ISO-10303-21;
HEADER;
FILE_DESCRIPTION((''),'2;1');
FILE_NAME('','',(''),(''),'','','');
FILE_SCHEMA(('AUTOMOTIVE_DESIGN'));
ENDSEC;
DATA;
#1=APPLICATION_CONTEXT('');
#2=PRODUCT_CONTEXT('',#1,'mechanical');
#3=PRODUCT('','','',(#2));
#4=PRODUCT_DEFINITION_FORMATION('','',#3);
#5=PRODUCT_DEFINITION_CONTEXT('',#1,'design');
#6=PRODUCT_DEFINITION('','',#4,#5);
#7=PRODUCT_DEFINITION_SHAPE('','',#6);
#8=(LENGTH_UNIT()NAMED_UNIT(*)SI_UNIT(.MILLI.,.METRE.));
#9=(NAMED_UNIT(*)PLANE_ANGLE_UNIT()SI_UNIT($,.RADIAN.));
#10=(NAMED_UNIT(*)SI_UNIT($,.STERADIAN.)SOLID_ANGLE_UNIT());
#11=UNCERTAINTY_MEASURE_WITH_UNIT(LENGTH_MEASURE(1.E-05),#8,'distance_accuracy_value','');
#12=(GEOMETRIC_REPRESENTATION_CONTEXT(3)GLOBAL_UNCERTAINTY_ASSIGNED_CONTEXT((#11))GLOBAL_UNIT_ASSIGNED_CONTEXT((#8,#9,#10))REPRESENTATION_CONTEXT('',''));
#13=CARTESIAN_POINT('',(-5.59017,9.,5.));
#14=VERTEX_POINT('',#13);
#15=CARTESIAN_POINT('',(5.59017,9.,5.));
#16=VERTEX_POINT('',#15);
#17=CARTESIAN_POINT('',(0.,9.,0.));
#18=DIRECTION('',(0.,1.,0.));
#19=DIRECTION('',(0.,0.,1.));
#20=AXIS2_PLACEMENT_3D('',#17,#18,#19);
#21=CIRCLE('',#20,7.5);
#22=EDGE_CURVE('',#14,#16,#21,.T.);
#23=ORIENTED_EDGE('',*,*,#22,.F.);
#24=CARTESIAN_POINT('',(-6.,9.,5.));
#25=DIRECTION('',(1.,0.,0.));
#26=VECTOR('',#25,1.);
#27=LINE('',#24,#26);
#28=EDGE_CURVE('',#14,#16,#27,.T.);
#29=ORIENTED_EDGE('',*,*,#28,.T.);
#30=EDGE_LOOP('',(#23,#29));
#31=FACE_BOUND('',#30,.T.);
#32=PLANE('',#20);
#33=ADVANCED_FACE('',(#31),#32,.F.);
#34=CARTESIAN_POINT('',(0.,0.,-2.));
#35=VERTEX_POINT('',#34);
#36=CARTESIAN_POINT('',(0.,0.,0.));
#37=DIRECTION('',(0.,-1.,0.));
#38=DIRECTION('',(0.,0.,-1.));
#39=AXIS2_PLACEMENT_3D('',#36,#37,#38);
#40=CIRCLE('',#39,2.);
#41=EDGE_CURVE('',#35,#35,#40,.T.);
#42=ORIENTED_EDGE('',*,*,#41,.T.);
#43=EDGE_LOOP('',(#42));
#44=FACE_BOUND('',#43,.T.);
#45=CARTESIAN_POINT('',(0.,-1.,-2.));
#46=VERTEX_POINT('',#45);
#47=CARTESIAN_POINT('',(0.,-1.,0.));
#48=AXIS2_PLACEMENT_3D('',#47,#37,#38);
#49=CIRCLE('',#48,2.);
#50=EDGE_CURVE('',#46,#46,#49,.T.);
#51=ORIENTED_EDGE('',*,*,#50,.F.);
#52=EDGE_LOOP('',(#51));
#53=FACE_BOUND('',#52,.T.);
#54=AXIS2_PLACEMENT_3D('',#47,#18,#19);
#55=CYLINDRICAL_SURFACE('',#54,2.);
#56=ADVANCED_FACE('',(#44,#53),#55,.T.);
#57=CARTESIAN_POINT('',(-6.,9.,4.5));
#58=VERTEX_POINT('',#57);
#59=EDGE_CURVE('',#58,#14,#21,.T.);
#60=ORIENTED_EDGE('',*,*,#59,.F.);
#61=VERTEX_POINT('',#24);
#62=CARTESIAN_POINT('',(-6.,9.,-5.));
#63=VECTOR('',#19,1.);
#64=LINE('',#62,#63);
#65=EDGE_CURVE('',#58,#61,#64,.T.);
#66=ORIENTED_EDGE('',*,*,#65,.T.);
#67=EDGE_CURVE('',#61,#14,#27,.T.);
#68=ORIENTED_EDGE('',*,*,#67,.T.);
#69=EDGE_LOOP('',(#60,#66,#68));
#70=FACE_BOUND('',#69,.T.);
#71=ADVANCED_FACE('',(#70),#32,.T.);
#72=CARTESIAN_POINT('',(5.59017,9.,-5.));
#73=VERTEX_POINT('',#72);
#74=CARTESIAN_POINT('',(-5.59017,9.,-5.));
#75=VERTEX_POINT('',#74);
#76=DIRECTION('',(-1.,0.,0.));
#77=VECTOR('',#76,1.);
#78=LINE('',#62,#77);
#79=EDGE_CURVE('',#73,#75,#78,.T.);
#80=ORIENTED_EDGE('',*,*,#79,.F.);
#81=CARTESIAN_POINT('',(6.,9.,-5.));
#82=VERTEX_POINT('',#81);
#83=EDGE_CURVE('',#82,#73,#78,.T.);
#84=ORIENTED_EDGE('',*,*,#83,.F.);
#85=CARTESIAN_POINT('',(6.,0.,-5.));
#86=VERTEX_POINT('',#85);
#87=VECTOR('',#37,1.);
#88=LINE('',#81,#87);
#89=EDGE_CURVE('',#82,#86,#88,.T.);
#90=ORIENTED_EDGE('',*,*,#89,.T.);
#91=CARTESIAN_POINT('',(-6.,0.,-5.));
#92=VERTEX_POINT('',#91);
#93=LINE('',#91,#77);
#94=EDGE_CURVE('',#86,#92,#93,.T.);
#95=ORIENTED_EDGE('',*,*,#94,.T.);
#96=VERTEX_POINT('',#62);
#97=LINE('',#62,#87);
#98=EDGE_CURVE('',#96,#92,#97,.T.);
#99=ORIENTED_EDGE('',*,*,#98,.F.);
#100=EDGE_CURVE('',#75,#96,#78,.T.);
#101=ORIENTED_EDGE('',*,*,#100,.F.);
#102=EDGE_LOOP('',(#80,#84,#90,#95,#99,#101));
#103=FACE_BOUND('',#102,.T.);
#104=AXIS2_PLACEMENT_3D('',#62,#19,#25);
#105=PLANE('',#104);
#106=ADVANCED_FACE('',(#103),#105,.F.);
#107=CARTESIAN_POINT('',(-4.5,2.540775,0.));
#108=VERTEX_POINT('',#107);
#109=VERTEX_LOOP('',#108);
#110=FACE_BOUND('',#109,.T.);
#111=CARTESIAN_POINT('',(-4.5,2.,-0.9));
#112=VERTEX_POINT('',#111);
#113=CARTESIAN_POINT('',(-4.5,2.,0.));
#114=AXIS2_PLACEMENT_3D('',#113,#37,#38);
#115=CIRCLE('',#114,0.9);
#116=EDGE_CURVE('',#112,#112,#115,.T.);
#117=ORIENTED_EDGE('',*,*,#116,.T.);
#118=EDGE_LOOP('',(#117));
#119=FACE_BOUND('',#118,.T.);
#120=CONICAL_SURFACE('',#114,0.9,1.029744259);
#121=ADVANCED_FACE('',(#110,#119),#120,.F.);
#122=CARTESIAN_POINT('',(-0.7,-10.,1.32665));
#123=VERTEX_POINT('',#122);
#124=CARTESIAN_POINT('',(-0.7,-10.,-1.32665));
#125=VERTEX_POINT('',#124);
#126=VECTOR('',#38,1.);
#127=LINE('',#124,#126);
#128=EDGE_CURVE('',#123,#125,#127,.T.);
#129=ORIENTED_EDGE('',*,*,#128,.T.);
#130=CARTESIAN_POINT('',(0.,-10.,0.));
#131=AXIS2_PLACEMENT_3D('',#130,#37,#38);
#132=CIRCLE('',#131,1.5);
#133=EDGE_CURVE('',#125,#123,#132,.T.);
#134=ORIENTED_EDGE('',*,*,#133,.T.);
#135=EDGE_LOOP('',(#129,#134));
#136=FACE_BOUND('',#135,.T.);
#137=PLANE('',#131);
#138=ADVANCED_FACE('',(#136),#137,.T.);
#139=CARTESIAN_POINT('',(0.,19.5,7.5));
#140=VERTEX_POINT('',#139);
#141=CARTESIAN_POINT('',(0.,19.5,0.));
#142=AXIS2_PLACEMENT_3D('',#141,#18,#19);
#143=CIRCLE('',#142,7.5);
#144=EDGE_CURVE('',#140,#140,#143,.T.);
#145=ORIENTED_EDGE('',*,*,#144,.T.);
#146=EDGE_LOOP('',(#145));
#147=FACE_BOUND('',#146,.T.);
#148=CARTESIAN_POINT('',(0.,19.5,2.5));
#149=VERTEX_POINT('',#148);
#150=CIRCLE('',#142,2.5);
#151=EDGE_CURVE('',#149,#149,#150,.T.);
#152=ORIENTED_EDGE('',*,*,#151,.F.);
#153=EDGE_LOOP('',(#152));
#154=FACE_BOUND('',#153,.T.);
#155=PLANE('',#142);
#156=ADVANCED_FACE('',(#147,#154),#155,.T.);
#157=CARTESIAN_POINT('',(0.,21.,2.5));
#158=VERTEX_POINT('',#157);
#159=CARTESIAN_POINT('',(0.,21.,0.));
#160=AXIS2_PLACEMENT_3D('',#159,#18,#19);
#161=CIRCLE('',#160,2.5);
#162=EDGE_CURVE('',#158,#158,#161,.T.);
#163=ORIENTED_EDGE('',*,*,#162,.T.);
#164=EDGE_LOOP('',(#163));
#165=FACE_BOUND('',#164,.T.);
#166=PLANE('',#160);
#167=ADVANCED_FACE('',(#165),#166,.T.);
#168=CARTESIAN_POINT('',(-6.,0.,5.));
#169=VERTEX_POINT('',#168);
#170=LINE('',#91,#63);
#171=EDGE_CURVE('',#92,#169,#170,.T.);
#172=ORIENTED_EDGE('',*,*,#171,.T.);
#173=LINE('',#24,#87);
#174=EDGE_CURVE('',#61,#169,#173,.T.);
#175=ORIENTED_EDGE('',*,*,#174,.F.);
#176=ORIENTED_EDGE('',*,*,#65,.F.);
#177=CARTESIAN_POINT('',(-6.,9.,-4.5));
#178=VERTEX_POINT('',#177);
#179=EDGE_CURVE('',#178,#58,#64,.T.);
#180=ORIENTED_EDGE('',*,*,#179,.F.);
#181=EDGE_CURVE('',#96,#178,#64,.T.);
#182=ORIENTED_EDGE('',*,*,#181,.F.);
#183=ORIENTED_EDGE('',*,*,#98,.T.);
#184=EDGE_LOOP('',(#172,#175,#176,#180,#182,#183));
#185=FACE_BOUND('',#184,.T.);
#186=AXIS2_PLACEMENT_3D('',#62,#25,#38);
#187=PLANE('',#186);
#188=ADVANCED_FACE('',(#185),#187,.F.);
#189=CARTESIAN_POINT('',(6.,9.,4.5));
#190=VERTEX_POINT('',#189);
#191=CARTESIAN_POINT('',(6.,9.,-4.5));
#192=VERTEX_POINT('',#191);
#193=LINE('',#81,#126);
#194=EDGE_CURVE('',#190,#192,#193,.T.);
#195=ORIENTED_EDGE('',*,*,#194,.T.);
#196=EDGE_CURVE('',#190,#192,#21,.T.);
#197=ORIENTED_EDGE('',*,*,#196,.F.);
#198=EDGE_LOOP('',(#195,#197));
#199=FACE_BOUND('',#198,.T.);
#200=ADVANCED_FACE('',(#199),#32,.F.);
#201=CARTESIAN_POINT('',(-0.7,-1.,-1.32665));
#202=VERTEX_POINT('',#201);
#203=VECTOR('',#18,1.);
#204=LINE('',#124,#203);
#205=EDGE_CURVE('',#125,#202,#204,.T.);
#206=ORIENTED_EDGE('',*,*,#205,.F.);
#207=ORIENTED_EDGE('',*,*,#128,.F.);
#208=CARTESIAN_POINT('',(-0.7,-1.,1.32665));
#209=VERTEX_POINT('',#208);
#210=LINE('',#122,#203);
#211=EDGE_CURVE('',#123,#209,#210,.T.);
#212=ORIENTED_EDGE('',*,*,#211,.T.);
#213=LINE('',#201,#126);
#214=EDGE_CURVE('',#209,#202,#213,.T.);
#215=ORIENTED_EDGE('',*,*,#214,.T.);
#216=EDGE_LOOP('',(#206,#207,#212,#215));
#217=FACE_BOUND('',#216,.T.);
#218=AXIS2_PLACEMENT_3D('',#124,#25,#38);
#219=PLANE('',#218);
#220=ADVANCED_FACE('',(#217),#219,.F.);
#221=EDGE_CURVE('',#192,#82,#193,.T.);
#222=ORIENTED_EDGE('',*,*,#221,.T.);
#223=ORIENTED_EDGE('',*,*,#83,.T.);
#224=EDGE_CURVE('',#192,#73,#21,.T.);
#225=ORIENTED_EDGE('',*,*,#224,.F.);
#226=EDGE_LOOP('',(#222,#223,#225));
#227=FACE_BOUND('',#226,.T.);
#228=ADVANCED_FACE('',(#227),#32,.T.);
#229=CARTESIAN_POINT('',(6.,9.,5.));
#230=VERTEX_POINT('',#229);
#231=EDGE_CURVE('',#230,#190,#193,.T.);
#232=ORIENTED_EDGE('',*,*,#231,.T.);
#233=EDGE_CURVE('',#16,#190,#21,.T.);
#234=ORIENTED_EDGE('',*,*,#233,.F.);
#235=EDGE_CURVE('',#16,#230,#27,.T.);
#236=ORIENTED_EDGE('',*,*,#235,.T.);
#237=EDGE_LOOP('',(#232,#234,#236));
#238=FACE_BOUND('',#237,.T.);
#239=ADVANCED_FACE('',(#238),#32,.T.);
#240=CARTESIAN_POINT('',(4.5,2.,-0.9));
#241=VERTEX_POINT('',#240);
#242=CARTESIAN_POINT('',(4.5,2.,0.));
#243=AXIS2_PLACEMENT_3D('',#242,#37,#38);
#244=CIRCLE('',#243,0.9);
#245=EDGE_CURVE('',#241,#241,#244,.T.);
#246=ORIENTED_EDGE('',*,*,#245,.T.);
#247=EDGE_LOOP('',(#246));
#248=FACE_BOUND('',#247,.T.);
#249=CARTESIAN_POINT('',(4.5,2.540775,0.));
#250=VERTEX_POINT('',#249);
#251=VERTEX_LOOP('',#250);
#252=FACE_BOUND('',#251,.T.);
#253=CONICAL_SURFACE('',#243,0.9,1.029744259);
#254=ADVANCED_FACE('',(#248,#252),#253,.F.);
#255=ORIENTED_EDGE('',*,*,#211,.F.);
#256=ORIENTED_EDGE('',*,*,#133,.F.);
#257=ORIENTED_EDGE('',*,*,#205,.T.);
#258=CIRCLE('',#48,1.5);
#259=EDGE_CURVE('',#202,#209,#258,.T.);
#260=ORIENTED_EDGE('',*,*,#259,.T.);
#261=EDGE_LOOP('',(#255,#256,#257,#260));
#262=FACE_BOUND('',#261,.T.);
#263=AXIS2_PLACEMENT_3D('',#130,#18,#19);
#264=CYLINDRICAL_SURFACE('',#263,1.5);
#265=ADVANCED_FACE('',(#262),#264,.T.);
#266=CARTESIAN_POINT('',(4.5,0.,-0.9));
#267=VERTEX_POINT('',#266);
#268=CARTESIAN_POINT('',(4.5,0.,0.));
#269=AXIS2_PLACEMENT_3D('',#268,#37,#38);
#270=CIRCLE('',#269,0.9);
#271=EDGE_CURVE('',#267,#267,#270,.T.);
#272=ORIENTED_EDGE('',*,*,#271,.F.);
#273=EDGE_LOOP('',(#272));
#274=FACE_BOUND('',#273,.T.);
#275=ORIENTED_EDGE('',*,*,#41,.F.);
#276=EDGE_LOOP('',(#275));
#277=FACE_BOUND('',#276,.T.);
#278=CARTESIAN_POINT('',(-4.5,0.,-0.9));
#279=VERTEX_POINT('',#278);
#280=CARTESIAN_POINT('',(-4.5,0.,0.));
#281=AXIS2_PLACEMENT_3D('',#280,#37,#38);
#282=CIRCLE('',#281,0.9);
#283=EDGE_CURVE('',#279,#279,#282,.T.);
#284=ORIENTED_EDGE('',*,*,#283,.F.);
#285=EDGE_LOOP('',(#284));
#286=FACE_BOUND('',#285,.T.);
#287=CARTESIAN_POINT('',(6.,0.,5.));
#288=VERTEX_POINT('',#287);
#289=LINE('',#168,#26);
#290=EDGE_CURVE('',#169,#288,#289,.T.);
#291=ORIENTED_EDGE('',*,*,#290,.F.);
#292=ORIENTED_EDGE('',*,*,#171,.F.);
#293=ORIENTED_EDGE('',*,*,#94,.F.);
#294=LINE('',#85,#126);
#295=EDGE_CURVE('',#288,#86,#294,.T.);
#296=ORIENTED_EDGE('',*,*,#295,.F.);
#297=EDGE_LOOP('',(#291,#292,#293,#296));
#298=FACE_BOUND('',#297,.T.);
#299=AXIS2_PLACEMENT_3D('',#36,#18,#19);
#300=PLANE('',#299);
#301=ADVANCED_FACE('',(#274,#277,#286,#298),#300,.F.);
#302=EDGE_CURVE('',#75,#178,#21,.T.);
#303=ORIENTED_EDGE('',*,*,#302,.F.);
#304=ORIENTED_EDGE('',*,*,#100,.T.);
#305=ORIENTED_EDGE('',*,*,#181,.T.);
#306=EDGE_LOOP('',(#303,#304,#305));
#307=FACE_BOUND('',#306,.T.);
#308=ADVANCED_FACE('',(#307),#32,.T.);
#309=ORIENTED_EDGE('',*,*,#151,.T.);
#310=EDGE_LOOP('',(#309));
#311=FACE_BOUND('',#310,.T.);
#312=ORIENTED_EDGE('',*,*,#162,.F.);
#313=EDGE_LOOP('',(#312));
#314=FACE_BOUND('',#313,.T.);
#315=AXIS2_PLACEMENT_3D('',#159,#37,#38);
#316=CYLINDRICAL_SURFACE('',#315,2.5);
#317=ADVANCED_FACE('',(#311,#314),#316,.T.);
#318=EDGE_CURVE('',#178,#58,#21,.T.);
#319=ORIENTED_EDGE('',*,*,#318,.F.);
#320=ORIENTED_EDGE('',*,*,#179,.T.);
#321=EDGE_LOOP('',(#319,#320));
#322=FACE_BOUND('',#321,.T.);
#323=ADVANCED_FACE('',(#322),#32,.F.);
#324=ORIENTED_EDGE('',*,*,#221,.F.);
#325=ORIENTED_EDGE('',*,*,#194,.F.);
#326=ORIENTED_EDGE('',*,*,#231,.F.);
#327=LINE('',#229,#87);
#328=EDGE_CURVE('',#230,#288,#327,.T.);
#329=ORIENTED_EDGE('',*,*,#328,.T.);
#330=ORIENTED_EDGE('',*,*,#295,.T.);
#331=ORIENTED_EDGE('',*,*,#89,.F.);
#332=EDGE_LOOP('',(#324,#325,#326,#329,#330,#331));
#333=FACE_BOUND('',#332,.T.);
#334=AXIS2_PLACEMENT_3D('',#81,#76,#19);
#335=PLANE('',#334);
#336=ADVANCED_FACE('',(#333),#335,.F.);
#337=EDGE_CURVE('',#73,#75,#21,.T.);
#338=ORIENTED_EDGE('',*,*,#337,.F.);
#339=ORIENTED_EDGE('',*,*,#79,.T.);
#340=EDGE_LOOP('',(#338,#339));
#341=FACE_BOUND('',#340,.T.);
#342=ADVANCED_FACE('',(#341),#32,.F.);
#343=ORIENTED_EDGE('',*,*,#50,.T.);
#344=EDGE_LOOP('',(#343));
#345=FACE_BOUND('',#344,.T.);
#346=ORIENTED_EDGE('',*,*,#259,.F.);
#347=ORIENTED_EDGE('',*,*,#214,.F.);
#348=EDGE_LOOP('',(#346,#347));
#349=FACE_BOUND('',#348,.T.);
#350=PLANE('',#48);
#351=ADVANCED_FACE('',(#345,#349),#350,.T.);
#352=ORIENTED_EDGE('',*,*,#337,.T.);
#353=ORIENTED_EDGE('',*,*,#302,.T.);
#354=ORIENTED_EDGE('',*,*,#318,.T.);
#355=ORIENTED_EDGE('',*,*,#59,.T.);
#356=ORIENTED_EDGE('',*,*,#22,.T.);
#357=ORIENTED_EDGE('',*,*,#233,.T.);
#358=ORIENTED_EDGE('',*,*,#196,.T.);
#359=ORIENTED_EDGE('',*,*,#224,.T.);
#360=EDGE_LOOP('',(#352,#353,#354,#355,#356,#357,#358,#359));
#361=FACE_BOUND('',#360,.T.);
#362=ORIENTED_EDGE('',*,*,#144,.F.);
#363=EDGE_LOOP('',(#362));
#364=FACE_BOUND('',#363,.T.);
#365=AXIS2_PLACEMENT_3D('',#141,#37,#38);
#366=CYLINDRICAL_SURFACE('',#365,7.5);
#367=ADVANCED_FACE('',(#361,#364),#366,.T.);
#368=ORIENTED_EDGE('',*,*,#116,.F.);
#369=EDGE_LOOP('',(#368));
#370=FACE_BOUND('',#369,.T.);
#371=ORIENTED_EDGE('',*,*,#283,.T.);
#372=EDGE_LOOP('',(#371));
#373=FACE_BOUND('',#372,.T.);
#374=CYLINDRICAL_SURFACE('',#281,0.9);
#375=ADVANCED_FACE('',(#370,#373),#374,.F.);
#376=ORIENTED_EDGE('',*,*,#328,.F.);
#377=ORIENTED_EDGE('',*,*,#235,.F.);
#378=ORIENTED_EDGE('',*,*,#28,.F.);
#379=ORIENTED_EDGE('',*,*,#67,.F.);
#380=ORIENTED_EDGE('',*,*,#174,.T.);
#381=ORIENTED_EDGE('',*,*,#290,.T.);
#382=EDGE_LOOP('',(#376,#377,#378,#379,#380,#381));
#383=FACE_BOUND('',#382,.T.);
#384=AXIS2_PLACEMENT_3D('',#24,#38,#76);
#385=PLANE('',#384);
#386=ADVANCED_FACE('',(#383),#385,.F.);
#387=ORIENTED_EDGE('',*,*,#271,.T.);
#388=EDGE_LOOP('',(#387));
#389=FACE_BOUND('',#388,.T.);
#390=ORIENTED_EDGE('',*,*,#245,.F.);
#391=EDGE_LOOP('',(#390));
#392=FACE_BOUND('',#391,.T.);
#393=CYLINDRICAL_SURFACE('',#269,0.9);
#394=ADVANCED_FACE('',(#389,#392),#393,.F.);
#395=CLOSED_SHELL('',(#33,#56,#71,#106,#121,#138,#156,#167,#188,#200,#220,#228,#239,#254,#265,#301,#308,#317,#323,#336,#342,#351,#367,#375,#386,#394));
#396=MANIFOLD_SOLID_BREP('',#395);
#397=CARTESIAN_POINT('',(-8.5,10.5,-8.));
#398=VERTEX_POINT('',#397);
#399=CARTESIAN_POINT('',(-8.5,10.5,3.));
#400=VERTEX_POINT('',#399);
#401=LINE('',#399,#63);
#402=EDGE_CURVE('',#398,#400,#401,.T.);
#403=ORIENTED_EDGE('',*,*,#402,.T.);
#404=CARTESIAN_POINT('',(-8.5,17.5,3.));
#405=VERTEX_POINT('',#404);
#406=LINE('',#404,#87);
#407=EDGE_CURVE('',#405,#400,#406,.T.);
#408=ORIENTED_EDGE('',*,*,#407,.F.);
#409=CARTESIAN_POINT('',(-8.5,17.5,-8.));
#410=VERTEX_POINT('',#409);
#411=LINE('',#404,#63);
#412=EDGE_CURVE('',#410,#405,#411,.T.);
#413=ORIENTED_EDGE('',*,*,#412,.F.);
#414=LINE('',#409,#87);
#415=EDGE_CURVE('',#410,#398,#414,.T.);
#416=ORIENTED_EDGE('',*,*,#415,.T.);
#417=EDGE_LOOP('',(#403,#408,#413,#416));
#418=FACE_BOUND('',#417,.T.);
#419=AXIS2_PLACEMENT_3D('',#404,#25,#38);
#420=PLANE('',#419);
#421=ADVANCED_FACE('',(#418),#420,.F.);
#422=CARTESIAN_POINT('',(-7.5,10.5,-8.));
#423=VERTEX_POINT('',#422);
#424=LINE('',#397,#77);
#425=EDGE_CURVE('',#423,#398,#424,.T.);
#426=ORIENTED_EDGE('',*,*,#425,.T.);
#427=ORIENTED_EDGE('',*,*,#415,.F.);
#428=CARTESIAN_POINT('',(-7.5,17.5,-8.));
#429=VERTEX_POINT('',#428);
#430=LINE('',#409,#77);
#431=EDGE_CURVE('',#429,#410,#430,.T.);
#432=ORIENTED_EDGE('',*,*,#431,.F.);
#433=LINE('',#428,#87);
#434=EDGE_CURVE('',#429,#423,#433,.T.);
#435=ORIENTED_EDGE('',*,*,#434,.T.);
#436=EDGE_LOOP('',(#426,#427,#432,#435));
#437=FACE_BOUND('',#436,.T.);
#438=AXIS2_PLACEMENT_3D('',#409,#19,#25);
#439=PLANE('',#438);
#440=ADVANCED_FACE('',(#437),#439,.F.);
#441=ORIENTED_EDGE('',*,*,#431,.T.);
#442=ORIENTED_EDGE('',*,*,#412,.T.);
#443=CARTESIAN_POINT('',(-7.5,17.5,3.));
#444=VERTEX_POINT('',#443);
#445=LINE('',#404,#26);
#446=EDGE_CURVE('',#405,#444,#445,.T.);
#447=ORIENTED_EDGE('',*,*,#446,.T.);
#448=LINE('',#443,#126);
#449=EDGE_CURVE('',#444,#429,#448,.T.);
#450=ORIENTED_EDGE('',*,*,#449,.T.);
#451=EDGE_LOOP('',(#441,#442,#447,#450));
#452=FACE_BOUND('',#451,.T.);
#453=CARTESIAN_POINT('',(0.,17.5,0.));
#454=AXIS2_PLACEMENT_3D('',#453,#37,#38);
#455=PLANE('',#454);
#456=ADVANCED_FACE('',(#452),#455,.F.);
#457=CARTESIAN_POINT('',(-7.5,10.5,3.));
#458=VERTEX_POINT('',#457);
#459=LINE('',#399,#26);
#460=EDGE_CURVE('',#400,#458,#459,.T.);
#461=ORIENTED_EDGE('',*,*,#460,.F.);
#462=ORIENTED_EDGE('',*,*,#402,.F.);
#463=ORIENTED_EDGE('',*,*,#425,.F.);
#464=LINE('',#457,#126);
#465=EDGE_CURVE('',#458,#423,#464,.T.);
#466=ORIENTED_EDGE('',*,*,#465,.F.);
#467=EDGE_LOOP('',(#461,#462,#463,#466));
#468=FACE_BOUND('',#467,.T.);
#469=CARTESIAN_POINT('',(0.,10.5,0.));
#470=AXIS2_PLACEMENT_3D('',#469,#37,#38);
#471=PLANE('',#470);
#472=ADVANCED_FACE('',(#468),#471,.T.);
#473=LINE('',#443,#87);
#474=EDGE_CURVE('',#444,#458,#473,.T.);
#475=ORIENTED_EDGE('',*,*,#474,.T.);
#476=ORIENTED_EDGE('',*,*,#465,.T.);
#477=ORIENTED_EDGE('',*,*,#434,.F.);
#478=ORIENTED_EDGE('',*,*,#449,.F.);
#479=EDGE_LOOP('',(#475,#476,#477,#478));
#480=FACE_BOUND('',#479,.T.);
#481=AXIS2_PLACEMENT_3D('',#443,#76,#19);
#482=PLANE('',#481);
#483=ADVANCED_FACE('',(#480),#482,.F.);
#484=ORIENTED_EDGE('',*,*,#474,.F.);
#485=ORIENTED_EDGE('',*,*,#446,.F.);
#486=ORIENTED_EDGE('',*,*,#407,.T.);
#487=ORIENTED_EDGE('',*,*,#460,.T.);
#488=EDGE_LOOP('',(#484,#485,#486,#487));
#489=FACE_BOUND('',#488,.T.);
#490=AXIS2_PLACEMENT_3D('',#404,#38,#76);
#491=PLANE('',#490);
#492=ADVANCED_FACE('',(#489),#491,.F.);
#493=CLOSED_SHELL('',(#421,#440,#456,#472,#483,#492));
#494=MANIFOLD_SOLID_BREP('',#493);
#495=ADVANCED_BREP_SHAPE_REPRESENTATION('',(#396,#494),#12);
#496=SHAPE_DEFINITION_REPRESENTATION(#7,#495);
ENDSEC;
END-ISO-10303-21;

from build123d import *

# Parameters (mm, degrees)
SKETCH1_W                  = 12
SKETCH1_H                  = 10
BOSS_EXTRUDE1_DEPTH        = 9
SKETCH2_R                  = 2
BOSS_EXTRUDE2_DEPTH        = 1
BOSS_EXTRUDE3_DEPTH        = 9
M1_6_CLEARANCE_HOLE1_D     = 1.8
M1_6_CLEARANCE_HOLE1_DEPTH = 2
M1_6_CLEARANCE_HOLE1_TIP   = 0.540774557
SKETCH6_R                  = 7.5
BOSS_EXTRUDE4_DEPTH        = 10.5
SKETCH7_R                  = 2.5
BOSS_EXTRUDE5_DEPTH        = 1.5
SKETCH8_W                  = 1
SKETCH8_H                  = 11
BOSS_EXTRUDE6_DEPTH        = 3.5


with BuildPart() as part:
    # Sketch1 → Boss-Extrude1 (new body)
    with BuildSketch(Plane(origin=(0, 0, 0), x_dir=(1, 0, 0), z_dir=(0, 1, 0))):
        Rectangle(SKETCH1_W, SKETCH1_H)
    extrude(amount=BOSS_EXTRUDE1_DEPTH)

    # Sketch2 → Boss-Extrude2 (add)
    with BuildSketch(Plane.XZ):
        Circle(SKETCH2_R)
    extrude(amount=BOSS_EXTRUDE2_DEPTH)

    # Sketch3 → Boss-Extrude3 (add)
    with BuildSketch(Plane(origin=(0, -1, 0), x_dir=(-1, 0, 0), z_dir=(0, -1, 0))):
        with BuildLine():
            Line((0.7, 1.326649916), (0.7, -1.326649916))
            ThreePointArc((0.7, -1.326649916), (-1.5, 0), (0.7, 1.326649916))
        make_face()
    extrude(amount=BOSS_EXTRUDE3_DEPTH)

    # M1.6 Clearance Hole1
    with Locations(Plane(origin=(0, 0, 0), x_dir=(-1, 0, 0), z_dir=(0, -1, 0))):
        with Locations((4.5, 0), (-4.5, 0)):
            Hole(M1_6_CLEARANCE_HOLE1_D / 2, depth=M1_6_CLEARANCE_HOLE1_DEPTH)
            with Locations((0, 0, -(M1_6_CLEARANCE_HOLE1_DEPTH + M1_6_CLEARANCE_HOLE1_TIP / 2))):  # 118° drill point
                Cone(0, M1_6_CLEARANCE_HOLE1_D / 2, M1_6_CLEARANCE_HOLE1_TIP, mode=Mode.SUBTRACT)

    # Sketch6 → Boss-Extrude4 (add)
    with BuildSketch(Plane(origin=(0, 9, 0), x_dir=(1, 0, 0), z_dir=(0, 1, 0))):
        Circle(SKETCH6_R)
    extrude(amount=BOSS_EXTRUDE4_DEPTH)

    # Sketch7 → Boss-Extrude5 (add)
    with BuildSketch(Plane(origin=(0, 19.5, 0), x_dir=(1, 0, 0), z_dir=(0, 1, 0))):
        Circle(SKETCH7_R)
    extrude(amount=BOSS_EXTRUDE5_DEPTH)


with BuildPart() as body_2:
    # Sketch8 → Boss-Extrude6 (new body, symmetric)
    with BuildSketch(Plane(origin=(0, 14, 0), x_dir=(1, 0, 0), z_dir=(0, 1, 0))):
        with Locations((-8, 2.5)):
            Rectangle(SKETCH8_W, SKETCH8_H)
    extrude(amount=BOSS_EXTRUDE6_DEPTH, both=True)


solid = Compound([part.part, body_2.part])
